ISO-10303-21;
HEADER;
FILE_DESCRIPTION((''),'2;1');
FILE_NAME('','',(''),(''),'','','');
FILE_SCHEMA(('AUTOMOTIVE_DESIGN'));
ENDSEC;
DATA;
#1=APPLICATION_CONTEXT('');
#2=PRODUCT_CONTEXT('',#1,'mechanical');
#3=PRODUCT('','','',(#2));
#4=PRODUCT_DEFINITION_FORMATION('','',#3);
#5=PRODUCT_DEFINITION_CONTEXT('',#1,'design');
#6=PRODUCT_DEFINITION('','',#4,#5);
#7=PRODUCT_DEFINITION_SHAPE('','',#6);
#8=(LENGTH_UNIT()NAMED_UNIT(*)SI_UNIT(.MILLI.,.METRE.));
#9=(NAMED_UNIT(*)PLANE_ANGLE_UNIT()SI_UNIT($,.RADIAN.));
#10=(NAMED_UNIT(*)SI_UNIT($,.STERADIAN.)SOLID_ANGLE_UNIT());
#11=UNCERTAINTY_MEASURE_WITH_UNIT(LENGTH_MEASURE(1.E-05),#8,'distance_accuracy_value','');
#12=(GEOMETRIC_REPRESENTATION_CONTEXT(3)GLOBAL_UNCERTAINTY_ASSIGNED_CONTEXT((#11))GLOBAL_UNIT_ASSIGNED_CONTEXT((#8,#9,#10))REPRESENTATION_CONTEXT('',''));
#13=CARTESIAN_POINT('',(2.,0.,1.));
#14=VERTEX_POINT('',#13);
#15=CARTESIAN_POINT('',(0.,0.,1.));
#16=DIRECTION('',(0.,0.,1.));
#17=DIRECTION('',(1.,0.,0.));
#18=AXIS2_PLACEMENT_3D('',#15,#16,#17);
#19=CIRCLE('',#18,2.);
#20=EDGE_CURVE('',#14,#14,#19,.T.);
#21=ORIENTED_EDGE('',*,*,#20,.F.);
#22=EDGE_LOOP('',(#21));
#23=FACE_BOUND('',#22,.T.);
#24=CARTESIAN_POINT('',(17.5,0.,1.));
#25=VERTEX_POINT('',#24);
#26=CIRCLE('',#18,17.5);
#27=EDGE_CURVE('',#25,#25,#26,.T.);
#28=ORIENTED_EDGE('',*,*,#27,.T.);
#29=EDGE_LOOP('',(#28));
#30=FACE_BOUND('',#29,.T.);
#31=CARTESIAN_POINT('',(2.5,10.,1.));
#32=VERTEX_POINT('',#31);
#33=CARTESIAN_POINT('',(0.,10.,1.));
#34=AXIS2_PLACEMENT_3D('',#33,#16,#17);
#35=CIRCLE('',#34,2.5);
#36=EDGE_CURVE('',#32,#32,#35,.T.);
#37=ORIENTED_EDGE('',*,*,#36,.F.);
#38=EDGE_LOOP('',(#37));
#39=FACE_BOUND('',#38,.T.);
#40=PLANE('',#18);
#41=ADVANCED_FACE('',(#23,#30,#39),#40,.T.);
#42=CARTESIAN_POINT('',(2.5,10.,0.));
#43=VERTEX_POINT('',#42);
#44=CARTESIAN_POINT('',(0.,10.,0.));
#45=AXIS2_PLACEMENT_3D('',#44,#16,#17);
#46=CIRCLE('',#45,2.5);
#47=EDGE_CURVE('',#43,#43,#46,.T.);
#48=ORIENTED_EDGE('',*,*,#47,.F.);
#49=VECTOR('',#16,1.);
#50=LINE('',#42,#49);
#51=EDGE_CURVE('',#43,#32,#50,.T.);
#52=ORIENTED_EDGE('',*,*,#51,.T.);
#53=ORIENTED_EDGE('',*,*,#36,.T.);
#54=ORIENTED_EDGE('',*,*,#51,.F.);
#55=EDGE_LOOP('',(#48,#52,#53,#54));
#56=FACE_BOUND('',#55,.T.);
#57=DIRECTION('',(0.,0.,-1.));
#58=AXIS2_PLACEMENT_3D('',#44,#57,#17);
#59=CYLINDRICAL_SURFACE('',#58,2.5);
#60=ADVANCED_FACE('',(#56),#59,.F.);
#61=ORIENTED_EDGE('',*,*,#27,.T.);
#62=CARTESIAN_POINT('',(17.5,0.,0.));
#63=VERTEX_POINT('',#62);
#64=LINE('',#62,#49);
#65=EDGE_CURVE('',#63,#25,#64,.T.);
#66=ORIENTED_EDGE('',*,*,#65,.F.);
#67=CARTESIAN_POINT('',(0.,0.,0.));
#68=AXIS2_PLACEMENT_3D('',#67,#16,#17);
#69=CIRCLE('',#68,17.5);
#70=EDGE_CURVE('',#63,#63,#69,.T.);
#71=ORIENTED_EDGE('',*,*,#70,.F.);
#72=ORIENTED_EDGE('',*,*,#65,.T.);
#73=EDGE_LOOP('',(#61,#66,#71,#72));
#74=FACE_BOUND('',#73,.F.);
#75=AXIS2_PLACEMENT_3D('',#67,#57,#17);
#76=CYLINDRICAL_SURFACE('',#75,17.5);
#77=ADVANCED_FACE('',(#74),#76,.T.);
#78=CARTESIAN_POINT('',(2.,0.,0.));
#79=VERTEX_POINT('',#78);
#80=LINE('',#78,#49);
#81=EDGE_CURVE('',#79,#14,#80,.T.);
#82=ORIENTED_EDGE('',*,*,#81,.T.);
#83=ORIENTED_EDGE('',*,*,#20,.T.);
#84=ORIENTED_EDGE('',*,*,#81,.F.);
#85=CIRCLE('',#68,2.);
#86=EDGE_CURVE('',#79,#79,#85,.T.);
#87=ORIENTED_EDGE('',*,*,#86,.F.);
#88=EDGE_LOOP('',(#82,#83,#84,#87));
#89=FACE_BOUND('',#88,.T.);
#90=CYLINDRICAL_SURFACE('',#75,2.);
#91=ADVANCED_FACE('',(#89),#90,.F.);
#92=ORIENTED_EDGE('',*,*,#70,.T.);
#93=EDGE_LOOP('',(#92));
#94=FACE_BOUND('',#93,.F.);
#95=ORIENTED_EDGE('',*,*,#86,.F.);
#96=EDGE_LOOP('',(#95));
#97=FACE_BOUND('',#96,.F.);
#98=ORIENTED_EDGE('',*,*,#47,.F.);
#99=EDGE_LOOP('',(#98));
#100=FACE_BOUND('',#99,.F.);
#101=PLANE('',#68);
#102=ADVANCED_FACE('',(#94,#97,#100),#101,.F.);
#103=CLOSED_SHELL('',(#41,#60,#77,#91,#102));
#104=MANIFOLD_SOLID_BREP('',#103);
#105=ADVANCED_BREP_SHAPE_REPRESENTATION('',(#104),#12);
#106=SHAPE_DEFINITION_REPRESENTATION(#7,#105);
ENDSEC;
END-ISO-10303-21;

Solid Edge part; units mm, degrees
sketch "Sketch1" plane through (0, 0, 0) normal (0, 0, 1) x (1, 0, 0)
  circle A0 centre (0, 0) radius 17.5
  circle A1 centre (0, 10) radius 2.5
  circle A2 centre (0, 0) radius 2
  dimension "D1" = 10
extrude "Protrusion1" add sketch "Sketch1" along normal blind 1
properties material "Stainless Steel, 420"
